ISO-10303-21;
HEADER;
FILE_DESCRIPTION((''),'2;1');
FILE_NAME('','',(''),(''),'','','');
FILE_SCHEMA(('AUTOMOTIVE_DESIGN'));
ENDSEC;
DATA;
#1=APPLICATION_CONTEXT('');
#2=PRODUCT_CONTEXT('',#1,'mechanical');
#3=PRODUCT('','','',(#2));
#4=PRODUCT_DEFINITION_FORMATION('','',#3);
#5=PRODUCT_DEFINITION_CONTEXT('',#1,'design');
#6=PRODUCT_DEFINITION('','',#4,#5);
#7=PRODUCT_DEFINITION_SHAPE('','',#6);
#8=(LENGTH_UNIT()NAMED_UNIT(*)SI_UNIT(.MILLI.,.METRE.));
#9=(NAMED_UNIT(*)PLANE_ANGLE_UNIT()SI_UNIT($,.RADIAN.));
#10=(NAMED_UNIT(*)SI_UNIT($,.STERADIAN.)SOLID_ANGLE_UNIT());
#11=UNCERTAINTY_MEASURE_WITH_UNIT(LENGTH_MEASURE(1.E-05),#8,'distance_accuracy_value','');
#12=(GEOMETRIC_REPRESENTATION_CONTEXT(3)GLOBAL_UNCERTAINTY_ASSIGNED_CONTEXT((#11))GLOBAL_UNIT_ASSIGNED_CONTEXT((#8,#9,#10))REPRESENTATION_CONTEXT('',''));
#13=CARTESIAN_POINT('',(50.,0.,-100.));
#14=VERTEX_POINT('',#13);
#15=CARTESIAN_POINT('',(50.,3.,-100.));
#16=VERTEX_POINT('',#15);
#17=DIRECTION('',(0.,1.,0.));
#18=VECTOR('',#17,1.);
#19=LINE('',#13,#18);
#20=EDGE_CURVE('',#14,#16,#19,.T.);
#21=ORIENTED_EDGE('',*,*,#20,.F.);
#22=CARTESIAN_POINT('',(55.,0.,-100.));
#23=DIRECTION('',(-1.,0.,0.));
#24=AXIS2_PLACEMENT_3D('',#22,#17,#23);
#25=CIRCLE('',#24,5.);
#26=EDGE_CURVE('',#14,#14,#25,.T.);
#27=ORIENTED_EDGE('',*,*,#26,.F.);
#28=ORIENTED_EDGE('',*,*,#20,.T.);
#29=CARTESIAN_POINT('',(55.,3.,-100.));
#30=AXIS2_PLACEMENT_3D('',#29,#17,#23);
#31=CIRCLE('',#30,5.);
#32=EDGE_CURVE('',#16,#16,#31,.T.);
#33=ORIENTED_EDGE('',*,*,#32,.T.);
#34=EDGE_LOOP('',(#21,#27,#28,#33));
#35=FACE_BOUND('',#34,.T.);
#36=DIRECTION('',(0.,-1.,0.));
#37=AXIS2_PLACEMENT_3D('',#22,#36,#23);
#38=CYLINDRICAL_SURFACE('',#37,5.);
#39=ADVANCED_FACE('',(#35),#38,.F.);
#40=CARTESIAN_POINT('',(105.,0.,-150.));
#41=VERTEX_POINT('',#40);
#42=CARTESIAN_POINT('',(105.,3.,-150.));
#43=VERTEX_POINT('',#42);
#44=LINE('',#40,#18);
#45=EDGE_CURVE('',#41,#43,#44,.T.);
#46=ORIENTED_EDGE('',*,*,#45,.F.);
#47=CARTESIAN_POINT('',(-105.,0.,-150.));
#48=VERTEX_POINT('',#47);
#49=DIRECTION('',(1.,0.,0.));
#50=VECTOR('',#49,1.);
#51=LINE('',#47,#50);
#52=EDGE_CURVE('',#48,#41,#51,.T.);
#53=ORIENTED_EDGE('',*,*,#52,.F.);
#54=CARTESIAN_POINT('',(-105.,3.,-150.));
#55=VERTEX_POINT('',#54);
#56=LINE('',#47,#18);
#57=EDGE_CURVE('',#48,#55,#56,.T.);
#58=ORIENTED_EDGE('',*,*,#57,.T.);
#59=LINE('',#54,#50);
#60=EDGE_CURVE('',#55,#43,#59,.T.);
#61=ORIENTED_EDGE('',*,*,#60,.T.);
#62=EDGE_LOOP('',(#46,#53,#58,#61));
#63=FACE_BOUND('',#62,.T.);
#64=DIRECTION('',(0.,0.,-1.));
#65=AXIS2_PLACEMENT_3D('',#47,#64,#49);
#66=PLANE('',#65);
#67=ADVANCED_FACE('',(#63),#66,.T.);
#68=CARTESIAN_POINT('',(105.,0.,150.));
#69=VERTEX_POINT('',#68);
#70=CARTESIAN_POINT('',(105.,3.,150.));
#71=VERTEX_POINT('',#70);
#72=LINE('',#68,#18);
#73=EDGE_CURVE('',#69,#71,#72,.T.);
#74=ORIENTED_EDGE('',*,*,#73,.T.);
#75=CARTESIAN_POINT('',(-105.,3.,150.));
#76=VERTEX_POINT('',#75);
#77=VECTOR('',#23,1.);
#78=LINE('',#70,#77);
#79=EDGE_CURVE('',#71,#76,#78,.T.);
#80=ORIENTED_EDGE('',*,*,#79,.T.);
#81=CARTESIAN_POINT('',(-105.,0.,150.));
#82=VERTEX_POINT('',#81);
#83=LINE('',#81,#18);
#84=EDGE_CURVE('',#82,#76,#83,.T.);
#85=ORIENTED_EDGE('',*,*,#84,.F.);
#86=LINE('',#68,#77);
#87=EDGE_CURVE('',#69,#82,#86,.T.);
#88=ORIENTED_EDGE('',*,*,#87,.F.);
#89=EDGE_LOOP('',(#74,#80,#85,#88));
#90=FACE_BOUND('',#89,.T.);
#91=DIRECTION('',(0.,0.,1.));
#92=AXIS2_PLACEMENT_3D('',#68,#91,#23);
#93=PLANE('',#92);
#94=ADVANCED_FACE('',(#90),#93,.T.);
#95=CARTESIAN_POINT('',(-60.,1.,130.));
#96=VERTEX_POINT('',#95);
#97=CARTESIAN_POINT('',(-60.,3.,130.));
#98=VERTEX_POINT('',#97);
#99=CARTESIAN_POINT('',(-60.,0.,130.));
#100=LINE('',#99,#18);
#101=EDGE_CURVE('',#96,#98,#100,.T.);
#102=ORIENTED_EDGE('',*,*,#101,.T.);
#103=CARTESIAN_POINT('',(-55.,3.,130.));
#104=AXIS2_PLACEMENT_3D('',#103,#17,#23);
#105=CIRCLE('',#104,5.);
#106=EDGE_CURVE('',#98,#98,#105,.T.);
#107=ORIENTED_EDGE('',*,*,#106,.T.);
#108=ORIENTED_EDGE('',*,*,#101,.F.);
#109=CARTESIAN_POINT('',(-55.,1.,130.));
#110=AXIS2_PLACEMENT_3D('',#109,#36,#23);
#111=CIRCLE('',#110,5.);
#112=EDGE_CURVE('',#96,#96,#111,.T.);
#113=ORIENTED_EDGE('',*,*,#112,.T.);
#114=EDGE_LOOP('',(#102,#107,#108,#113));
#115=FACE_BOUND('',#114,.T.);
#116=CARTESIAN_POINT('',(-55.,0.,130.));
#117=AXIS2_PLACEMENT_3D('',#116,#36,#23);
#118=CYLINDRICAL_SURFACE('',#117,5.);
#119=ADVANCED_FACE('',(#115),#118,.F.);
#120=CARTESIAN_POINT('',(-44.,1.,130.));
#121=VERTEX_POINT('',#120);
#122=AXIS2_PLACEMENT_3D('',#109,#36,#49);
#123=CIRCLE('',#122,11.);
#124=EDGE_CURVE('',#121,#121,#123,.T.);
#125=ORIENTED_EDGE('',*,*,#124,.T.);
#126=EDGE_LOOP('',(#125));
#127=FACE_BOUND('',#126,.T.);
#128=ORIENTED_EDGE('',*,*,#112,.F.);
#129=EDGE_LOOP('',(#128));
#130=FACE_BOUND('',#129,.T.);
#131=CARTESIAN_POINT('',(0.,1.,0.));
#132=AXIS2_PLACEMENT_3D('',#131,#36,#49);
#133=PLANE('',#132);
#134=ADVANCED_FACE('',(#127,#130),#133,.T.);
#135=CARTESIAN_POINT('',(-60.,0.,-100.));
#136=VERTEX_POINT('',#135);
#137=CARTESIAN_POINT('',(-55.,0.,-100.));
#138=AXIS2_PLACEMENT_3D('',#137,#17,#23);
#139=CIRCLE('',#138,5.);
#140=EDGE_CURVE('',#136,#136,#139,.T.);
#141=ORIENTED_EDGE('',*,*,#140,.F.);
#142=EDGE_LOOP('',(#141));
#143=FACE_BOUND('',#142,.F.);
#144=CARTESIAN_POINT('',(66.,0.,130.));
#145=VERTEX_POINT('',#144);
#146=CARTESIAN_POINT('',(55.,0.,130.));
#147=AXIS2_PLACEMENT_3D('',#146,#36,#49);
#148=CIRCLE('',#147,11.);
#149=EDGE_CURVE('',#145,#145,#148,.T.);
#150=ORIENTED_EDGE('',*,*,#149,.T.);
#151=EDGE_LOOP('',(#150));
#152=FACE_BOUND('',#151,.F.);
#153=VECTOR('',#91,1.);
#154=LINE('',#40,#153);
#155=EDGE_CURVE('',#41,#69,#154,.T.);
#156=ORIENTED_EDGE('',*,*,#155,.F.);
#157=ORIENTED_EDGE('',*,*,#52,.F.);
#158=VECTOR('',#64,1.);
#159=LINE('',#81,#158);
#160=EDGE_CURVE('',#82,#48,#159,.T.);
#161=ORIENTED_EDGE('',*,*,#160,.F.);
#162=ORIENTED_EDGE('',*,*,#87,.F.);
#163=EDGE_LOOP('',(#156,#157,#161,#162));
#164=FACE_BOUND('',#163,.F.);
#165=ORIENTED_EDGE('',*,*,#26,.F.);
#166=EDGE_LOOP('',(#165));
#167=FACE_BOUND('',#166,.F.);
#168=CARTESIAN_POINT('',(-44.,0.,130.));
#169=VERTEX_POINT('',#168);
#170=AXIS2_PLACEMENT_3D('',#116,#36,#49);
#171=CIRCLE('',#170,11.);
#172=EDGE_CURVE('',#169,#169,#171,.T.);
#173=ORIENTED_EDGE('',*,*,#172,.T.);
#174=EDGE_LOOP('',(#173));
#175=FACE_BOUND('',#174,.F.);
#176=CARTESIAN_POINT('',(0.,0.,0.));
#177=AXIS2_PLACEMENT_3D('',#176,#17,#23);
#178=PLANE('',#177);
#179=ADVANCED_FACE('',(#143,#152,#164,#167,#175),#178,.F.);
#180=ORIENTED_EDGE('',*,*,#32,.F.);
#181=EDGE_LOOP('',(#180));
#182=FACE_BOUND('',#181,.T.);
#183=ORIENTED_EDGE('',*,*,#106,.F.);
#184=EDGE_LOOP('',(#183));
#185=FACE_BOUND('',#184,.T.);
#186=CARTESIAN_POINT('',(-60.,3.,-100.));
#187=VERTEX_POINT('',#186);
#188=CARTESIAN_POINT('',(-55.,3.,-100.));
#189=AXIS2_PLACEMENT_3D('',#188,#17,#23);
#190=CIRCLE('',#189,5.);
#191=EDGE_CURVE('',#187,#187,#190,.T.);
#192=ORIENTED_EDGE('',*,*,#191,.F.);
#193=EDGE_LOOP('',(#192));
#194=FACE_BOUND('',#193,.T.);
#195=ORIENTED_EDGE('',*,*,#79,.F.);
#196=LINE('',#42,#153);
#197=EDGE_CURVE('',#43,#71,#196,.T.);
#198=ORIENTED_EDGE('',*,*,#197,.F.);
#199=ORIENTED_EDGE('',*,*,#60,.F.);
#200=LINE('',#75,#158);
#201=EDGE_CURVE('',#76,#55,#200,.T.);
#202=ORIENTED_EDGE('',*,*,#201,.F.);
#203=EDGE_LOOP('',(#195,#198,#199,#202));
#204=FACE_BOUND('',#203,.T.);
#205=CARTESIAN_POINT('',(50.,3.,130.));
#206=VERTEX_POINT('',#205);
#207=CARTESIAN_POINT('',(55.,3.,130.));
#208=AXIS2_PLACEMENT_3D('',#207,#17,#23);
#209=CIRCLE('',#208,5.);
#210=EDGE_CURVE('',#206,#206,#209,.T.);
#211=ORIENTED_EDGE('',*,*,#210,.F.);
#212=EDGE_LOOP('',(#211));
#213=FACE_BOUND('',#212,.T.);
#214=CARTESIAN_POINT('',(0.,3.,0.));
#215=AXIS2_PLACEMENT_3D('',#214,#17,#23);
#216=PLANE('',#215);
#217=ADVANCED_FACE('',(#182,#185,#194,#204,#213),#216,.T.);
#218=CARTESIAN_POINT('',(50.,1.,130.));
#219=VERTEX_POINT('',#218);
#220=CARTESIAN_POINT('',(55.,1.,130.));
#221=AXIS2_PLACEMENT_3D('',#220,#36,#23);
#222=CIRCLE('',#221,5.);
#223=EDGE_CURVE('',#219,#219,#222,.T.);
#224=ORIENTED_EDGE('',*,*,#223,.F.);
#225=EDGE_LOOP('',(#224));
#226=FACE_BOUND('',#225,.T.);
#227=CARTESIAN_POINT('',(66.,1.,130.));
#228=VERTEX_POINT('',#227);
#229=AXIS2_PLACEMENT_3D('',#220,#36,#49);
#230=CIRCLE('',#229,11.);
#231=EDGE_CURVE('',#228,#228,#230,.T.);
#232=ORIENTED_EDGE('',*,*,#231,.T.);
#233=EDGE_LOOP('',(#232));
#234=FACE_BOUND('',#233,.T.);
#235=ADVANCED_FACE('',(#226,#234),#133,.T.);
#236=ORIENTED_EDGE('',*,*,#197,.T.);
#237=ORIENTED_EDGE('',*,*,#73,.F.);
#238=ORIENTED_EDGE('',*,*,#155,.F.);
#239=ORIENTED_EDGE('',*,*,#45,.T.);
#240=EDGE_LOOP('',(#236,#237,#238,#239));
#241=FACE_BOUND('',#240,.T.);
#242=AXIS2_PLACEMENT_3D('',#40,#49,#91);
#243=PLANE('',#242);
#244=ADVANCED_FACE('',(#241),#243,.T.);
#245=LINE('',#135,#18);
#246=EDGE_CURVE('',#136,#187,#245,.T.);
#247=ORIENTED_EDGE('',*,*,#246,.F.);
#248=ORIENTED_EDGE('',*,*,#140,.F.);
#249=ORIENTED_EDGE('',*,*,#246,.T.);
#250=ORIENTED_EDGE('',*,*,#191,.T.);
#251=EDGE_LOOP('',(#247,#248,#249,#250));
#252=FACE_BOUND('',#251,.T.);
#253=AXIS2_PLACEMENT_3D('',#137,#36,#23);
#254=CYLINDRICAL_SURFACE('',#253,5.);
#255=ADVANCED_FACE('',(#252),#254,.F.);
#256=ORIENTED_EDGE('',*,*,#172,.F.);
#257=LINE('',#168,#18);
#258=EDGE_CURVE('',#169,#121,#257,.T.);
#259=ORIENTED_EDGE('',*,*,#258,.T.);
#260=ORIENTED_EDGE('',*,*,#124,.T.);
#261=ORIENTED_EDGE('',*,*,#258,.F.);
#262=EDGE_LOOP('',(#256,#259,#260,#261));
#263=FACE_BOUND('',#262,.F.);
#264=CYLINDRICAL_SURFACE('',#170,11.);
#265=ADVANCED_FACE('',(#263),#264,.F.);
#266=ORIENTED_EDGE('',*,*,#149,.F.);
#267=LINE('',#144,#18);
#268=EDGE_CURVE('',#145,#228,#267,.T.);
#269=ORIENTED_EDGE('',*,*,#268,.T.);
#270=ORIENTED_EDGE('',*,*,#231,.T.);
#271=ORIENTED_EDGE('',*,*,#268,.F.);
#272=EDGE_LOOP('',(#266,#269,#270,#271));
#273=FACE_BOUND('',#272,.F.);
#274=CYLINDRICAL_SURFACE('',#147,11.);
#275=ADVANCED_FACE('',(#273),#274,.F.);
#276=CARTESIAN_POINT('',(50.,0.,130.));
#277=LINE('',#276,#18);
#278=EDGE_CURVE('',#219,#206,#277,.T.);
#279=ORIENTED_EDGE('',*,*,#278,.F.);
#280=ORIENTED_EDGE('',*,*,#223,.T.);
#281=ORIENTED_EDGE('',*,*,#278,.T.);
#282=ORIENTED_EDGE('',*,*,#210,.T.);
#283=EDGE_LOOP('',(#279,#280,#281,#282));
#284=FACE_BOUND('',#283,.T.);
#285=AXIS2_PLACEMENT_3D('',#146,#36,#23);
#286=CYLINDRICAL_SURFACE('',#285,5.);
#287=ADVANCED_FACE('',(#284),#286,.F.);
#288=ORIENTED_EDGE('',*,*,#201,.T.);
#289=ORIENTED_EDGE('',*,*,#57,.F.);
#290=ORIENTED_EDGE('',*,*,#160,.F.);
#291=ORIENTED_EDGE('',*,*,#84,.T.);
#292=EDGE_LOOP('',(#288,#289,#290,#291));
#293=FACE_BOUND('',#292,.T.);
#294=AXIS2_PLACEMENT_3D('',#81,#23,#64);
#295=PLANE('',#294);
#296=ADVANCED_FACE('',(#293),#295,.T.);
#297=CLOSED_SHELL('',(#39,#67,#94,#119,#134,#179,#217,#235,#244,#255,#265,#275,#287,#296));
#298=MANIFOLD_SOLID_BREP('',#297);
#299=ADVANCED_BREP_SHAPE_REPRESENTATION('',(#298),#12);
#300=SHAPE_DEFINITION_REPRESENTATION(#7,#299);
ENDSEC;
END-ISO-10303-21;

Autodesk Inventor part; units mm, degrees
ref_plane "YZ Plane" through (0, 0, 0) normal (1, 0, 0) x (0, 1, 0)
ref_plane "XZ Plane" through (0, 0, 0) normal (0, 1, 0) x (-1, 0, 0)
ref_plane "XY Plane" through (0, 0, 0) normal (0, 0, 1) x (1, 0, 0)
sketch "Sketch1" plane through (0, 0, 0) normal (0, 1, 0) x (-1, 0, 0)
  line L0 (-105, 150) -> (105, 150)
  line L1 (105, 150) -> (105, -150)
  line L2 (105, -150) -> (-105, -150)
  line L3 (-105, -150) -> (-105, 150)
  line L4 (-105, 150) -> (105, -150) construction
  line L5 (105, 150) -> (-105, -150) construction
  circle A0 centre (-55, 130) radius 5
  circle A1 centre (55, 130) radius 5
  circle A2 centre (55, -100) radius 5
  circle A3 centre (-55, -100) radius 5
  point P0 (0, 0)
  dimension "d0" = 210
  dimension "d1" = 300
  dimension "d2" = 50
  dimension "d3" = 10
  dimension "d4" = 20
  dimension "d5" = 50
  dimension "d6" = 20
  dimension "d7" = 50
  dimension "d8" = 50
  dimension "d9" = 50
  dimension "d10" = 50
extrude "Extrusion1" add sketch "Sketch1" along normal blind 3
sketch "Sketch2" plane through (0, 0, 0) normal (0, -1, 0) x (1, 0, 0)
  circle A0 centre (-55, 130) radius 5 projected
  circle A1 centre (-55, 130) radius 11
  circle A2 centre (55, 130) radius 5 projected
  circle A3 centre (55, 130) radius 11
  point P0 (0, 0)
  dimension "d13" = 22
extrude "Extrusion2" cut sketch "Sketch2" against normal blind 1
ref_plane "Work Plane1" through (0, 0, 150) normal (1, 0, 0) x (0, 0, -1)
equation "\"d5\" = d2"
equation "\"d8\" = d2"
equation "\"d10\" = d2"
properties part number "chasis"
